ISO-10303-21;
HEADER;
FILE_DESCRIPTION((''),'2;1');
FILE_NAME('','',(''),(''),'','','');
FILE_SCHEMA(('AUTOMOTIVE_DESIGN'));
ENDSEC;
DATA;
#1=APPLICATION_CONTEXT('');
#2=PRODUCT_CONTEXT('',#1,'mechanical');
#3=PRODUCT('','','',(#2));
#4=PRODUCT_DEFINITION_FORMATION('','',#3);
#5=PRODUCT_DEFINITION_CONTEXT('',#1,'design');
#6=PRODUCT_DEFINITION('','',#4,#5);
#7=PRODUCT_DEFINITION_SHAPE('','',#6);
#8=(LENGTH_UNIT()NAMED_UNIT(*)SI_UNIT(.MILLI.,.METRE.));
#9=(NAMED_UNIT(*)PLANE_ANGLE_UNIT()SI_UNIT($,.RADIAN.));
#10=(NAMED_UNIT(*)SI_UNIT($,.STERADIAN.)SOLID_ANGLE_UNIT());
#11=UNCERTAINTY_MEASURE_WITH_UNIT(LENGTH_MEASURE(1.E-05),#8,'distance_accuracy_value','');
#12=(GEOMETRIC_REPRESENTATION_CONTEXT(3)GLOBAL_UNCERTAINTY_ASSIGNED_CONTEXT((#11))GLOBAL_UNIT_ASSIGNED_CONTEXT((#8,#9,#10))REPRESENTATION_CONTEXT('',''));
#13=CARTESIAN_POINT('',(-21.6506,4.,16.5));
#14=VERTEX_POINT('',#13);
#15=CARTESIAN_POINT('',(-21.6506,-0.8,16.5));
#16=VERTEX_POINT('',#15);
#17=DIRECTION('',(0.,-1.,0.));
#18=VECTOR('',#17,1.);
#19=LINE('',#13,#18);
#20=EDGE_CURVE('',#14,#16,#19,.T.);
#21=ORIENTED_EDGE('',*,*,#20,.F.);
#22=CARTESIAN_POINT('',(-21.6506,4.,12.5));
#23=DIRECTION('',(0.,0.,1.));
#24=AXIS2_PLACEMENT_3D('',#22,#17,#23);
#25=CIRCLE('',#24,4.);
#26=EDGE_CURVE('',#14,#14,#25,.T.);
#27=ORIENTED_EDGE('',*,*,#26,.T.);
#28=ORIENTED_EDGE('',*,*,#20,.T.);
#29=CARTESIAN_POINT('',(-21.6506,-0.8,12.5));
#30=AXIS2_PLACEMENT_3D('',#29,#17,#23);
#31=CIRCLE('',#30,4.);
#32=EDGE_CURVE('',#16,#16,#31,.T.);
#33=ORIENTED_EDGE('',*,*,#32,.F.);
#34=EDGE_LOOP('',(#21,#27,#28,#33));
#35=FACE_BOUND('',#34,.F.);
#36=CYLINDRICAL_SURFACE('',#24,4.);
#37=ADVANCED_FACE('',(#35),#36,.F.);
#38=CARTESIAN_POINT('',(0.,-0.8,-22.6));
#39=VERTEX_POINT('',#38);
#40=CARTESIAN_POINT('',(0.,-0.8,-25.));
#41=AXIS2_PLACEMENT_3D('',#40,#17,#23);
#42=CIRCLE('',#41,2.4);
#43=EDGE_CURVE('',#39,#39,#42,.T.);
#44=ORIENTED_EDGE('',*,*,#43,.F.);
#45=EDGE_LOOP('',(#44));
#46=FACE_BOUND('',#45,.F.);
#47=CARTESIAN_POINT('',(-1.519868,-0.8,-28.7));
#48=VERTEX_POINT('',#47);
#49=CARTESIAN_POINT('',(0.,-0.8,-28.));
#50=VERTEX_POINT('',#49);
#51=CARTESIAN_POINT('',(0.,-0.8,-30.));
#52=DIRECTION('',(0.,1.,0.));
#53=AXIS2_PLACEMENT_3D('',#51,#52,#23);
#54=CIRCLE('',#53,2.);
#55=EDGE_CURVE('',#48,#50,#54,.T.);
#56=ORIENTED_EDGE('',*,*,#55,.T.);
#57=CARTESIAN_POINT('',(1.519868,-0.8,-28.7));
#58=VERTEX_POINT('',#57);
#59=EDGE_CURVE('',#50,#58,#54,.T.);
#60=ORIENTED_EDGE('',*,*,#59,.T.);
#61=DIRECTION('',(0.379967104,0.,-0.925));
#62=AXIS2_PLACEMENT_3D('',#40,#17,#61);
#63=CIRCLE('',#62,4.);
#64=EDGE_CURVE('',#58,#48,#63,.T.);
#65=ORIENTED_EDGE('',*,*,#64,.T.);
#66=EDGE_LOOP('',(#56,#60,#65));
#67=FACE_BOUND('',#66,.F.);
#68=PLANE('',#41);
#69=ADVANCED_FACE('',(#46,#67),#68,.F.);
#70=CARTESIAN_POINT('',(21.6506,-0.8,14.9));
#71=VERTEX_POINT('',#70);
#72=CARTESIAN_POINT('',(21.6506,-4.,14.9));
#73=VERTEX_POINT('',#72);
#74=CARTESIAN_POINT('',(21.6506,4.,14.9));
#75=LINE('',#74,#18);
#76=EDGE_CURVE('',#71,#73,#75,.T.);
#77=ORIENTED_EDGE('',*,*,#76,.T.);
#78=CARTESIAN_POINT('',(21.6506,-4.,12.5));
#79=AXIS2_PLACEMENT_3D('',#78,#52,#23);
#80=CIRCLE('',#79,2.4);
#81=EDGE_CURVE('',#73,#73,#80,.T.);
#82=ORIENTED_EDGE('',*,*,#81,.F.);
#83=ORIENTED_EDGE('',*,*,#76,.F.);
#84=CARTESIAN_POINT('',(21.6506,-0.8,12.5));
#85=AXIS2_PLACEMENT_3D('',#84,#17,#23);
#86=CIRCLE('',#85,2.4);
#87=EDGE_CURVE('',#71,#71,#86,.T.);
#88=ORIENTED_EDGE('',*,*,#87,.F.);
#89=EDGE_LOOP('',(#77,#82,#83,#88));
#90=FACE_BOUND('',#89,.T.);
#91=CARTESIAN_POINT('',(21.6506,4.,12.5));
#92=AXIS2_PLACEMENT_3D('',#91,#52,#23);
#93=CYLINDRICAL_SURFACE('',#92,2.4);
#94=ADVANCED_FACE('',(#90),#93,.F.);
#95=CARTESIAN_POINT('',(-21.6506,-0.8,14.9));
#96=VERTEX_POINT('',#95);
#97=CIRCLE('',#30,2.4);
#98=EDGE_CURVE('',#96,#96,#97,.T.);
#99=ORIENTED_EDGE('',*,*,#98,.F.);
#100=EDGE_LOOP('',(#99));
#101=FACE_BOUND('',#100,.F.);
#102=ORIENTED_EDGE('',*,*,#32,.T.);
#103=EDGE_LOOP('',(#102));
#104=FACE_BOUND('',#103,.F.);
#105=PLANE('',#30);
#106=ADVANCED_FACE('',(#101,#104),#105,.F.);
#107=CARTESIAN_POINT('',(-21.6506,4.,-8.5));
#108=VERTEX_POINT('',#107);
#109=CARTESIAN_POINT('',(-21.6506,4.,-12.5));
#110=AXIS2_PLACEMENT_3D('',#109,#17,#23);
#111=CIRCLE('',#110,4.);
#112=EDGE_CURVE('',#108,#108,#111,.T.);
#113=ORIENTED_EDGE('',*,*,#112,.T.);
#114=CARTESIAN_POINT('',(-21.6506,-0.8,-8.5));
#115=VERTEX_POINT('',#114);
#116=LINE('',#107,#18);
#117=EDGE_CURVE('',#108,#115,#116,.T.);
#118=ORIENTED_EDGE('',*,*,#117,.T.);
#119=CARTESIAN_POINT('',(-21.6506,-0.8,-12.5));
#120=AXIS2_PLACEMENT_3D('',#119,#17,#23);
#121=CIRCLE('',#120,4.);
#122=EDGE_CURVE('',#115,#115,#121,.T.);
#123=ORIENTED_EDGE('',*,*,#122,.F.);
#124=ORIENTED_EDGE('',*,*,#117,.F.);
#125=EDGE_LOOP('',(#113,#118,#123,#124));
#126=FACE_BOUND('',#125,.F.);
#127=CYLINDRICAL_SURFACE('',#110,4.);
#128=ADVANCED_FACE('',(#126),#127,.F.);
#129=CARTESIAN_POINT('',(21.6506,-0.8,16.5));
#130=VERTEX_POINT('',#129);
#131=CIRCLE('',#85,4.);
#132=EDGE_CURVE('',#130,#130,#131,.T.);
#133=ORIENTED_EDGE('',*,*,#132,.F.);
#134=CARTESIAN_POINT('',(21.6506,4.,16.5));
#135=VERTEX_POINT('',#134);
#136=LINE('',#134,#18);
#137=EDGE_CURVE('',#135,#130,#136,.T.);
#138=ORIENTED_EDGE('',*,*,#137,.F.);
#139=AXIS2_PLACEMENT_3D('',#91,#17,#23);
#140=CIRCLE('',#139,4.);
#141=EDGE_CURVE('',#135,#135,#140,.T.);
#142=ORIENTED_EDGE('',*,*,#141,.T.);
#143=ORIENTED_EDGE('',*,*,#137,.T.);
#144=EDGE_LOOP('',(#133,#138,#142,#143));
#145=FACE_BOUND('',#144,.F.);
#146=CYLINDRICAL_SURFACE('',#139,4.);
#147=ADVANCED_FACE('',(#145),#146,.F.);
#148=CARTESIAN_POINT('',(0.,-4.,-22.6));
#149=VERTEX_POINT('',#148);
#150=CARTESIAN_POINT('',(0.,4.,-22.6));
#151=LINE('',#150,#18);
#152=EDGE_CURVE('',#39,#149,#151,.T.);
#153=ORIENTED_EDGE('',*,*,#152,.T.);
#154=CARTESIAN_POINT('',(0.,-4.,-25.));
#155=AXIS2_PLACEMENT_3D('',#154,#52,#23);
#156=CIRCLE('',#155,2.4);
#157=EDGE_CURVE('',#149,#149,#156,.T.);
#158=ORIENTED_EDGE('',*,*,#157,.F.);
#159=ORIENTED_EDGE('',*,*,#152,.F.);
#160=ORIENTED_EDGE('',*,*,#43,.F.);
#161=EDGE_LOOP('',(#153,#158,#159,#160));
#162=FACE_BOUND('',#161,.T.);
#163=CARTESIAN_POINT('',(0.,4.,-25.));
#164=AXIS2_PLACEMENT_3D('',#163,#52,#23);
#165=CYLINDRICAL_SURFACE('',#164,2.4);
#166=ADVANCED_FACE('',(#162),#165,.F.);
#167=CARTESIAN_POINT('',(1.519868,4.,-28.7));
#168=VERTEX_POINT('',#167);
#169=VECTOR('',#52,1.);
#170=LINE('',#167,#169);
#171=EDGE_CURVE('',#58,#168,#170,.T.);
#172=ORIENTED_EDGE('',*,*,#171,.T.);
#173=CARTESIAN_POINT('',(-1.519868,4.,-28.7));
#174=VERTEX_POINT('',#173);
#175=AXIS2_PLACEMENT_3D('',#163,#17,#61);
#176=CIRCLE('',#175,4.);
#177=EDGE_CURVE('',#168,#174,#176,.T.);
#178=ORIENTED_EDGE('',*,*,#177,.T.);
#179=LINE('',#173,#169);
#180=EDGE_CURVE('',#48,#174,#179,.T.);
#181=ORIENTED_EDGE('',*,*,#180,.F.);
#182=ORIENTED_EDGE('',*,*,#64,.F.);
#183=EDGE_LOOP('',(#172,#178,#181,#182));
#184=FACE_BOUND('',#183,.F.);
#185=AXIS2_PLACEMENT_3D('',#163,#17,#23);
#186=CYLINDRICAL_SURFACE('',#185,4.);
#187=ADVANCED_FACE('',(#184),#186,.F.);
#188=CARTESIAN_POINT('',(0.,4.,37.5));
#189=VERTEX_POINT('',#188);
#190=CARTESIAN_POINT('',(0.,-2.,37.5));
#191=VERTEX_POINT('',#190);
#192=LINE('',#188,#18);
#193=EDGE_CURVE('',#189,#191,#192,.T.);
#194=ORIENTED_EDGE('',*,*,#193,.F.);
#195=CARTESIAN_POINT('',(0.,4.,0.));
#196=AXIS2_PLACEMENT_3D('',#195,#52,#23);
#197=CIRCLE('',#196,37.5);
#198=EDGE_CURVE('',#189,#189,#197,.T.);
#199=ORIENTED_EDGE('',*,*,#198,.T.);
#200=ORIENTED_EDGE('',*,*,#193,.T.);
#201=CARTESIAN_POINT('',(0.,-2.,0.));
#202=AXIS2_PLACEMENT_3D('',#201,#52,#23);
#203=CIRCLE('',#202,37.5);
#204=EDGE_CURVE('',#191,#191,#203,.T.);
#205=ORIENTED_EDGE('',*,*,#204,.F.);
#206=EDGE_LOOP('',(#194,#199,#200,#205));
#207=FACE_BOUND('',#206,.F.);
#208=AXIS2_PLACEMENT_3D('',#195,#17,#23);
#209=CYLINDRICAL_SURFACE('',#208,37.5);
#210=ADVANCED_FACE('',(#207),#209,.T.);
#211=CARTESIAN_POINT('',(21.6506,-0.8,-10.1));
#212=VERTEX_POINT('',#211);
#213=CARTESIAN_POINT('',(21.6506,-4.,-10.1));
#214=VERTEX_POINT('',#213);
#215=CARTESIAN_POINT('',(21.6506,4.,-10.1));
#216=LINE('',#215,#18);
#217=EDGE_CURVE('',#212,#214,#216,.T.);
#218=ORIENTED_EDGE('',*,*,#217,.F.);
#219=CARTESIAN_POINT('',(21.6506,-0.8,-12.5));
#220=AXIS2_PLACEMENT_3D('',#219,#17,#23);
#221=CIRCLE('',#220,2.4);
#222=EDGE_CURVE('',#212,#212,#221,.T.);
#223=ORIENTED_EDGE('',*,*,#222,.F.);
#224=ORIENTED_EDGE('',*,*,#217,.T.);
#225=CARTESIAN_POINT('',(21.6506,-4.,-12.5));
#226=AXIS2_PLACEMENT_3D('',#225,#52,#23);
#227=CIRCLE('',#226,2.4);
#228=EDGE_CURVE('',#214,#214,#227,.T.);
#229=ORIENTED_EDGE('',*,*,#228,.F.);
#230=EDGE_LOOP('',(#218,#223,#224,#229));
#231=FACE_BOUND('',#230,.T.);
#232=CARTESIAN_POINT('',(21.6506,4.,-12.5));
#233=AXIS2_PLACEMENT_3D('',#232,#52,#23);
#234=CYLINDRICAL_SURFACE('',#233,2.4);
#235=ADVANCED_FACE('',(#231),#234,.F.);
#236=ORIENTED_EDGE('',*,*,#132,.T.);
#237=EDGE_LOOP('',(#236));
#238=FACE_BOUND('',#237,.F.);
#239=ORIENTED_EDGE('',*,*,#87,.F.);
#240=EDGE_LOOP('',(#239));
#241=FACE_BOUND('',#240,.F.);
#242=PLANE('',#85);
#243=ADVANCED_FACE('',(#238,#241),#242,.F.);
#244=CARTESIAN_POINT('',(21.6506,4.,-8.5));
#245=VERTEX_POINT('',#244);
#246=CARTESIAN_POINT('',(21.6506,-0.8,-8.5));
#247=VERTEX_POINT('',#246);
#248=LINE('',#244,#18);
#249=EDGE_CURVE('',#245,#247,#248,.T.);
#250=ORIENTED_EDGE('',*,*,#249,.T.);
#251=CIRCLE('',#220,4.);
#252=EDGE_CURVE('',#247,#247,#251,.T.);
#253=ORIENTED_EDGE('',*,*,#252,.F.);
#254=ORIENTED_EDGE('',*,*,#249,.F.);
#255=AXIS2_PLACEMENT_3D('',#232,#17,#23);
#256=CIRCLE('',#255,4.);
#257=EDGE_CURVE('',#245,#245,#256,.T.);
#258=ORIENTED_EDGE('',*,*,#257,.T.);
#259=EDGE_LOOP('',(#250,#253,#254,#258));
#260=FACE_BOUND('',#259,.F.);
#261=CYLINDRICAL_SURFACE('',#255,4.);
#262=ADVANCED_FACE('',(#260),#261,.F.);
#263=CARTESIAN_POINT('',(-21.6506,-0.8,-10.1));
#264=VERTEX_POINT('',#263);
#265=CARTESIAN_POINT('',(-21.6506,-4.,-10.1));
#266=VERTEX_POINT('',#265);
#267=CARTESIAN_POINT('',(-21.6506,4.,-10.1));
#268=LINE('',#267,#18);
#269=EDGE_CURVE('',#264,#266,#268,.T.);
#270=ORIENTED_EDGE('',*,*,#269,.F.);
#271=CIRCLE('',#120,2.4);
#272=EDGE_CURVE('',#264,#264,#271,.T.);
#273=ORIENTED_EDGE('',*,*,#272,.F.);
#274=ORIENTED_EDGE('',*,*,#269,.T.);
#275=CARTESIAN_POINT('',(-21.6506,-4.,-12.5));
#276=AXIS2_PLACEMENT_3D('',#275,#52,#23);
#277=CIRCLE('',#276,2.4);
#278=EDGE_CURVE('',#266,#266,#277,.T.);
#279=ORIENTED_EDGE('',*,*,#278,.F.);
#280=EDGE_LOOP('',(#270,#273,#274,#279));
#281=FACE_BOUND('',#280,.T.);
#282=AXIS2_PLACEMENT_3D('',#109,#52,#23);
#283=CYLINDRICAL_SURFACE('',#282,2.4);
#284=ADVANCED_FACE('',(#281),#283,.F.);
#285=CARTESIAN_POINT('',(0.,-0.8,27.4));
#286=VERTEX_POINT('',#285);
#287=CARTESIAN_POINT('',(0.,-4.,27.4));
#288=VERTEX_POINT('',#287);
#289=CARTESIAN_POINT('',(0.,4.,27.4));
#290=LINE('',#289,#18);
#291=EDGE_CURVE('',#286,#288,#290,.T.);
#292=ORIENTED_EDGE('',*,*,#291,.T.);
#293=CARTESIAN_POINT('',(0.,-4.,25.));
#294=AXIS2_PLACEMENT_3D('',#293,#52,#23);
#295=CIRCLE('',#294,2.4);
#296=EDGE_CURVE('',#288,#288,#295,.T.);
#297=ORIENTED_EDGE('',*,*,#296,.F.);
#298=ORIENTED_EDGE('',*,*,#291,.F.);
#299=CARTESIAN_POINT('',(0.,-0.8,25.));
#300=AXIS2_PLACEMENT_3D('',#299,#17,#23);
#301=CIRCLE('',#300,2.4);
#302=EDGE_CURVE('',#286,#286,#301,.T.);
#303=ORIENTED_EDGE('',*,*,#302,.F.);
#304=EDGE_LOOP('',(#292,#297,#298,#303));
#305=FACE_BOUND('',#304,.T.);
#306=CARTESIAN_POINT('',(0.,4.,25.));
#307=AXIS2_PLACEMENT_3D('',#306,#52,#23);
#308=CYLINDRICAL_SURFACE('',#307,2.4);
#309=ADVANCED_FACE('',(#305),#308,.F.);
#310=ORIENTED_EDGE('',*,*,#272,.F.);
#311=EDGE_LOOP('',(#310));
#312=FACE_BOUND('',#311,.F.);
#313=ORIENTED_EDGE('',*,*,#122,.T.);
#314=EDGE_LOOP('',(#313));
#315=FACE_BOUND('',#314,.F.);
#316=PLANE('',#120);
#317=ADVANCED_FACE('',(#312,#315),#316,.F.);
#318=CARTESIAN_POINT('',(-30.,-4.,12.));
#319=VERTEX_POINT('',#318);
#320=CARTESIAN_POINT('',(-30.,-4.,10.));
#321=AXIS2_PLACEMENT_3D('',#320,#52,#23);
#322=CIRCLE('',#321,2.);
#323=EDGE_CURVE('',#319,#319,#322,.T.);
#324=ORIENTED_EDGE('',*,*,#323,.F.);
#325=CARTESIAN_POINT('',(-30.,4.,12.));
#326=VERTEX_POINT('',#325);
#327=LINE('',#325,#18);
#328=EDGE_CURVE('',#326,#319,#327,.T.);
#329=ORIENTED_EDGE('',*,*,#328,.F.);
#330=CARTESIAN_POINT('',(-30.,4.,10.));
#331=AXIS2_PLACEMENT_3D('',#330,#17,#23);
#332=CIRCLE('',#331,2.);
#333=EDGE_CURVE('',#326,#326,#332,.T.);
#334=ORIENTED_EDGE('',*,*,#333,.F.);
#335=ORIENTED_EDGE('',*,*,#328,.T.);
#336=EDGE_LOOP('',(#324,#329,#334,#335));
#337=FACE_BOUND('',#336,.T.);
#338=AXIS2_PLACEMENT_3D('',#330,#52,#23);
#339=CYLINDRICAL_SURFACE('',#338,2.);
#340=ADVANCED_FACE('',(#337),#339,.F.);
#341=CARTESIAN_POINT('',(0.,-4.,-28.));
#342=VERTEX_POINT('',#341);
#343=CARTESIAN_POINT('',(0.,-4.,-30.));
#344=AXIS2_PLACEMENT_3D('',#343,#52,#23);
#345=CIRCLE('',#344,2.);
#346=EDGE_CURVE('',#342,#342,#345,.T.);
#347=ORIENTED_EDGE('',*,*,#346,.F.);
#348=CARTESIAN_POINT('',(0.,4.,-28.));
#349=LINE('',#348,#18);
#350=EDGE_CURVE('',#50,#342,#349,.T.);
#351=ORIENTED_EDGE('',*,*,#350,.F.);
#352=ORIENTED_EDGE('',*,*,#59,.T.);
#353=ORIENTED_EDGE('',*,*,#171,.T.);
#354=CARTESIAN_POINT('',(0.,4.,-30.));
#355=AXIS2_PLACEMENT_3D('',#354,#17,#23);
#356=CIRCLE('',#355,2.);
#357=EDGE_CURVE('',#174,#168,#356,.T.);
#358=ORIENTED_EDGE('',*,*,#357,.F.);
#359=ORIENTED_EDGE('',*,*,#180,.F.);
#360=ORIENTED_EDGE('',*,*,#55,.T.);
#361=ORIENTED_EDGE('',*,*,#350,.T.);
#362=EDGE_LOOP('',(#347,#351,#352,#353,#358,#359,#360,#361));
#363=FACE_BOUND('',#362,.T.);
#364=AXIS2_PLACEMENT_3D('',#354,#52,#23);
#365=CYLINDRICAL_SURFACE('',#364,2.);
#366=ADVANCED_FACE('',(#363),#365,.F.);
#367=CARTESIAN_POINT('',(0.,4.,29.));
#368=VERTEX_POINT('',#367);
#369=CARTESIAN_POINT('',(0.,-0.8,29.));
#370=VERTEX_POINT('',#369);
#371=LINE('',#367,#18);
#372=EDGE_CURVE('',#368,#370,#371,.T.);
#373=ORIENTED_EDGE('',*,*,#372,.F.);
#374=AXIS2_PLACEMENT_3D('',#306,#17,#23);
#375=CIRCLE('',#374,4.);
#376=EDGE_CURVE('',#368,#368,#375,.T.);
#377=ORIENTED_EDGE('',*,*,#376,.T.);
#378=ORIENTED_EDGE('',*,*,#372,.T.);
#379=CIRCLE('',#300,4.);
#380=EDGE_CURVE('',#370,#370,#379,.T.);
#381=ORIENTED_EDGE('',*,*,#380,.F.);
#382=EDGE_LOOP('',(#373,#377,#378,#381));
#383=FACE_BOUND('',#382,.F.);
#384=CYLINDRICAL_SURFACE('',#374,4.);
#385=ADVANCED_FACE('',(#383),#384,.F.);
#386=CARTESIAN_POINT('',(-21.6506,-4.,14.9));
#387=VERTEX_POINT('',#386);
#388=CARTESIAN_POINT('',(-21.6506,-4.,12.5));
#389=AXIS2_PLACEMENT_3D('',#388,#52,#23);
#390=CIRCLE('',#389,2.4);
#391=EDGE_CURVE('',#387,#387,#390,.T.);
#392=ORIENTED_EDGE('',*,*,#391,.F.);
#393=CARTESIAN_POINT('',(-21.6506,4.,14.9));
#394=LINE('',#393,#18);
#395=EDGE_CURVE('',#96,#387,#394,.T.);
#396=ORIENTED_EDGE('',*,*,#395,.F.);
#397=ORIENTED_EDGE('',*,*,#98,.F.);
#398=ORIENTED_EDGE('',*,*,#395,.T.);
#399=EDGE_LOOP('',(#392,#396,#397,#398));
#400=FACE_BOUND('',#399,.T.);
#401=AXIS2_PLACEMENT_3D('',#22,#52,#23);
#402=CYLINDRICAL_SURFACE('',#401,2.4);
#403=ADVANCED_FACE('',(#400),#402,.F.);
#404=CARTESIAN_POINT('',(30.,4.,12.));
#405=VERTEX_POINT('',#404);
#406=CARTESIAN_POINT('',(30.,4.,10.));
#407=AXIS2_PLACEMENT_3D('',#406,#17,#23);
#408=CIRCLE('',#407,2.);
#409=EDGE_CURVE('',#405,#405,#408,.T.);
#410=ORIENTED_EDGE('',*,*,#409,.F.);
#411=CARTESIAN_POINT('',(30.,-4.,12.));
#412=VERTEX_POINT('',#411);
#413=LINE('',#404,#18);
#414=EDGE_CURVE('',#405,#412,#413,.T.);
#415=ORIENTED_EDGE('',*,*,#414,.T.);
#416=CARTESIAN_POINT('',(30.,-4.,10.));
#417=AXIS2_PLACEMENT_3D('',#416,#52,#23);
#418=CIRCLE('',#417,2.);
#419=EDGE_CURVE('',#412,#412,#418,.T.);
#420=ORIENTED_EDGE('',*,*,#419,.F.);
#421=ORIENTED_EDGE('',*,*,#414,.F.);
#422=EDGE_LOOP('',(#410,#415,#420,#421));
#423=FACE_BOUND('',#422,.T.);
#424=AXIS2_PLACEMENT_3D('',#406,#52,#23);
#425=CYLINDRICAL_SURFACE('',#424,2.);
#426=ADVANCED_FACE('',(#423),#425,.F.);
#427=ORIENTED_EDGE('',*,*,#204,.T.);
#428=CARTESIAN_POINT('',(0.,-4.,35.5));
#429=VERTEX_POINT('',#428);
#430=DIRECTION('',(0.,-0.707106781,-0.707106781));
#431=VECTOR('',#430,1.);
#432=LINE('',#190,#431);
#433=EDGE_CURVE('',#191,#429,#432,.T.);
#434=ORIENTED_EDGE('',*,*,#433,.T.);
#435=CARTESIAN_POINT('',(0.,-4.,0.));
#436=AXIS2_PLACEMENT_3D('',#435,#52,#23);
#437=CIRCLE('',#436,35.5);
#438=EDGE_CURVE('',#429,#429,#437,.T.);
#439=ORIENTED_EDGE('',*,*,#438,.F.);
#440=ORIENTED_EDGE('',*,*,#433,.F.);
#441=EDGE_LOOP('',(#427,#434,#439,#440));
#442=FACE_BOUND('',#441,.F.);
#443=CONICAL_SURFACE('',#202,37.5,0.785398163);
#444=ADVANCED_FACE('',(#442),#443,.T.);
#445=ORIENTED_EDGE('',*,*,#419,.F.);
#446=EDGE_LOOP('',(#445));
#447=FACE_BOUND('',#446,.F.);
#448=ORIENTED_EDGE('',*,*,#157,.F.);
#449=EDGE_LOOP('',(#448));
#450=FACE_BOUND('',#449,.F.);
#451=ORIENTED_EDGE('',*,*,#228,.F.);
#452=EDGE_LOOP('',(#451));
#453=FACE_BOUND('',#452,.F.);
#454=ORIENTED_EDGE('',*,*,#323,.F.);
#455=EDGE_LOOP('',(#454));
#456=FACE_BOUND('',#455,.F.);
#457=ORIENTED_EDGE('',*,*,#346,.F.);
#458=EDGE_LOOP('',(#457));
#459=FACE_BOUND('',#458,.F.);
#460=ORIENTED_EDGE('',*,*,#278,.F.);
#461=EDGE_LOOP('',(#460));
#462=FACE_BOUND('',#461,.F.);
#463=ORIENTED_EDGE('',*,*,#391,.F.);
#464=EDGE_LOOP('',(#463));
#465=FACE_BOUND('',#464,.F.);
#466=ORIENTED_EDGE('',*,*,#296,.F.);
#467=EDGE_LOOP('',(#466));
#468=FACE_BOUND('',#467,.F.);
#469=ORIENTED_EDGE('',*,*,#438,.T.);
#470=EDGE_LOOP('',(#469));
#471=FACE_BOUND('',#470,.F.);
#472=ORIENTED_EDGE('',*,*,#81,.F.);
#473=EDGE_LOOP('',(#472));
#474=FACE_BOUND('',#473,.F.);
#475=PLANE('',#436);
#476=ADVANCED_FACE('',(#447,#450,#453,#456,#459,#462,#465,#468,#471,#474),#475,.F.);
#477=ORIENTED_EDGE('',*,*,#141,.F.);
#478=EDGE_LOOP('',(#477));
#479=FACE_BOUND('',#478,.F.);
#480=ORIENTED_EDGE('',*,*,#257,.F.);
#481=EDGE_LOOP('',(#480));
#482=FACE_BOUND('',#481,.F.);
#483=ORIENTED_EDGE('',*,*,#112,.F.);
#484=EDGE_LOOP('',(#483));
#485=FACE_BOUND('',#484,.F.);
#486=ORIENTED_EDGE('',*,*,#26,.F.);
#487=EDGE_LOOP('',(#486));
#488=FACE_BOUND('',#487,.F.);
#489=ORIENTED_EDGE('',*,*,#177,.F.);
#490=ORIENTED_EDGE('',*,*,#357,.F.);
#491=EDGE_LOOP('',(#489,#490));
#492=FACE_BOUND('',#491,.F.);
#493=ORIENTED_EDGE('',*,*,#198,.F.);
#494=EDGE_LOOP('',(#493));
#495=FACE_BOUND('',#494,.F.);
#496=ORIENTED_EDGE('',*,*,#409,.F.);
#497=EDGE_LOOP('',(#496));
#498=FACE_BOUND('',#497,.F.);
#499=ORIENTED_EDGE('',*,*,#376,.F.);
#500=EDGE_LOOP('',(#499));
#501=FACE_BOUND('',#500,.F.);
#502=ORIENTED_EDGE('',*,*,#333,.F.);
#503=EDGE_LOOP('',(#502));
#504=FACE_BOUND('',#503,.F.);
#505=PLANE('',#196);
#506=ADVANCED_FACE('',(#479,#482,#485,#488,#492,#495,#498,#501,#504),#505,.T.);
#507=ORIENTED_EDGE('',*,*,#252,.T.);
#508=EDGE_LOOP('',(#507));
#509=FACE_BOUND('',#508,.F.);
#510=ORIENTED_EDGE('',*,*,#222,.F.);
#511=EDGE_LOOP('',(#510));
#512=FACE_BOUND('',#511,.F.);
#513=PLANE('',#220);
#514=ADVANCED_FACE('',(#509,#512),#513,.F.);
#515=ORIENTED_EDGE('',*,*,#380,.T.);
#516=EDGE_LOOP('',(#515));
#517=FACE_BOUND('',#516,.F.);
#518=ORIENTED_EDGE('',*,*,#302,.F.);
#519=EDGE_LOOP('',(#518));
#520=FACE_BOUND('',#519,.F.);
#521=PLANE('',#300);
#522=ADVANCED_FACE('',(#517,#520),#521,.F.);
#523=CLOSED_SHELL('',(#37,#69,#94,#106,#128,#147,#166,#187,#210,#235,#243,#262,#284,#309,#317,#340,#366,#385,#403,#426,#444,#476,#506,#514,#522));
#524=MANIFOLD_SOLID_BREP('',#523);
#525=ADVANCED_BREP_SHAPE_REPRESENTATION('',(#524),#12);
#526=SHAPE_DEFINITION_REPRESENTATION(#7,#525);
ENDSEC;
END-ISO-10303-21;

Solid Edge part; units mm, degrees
sketch "Sketch1" plane through (0, 0, 0) normal (1, 0, 0) x (0, 1, 0)
  line L0 (4, 0) -> (4, 37.5)
  line L1 (4, 37.5) -> (-2, 37.5)
  line L2 (-2, 37.5) -> (-4, 35.5)
  line L3 (-4, 35.5) -> (-4, 0)
  dimension "D1" = 8
  dimension "D2" = 6
revolve "RevolvedProtrusion1" add sketch "Sketch1" angle 360 about axis through (0, -4, 0) along (0, 1, 0)
hole "Hole_1" at (30, 4, 10) direction (0, -1, 0) diameter 4 end up to next
hole "Hole1" at (-30, 4, 10) direction (0, -1, 0) diameter 4 end up to next
hole "Hole2" at (0, 4, -30) direction (0, -1, 0) diameter 4 end up to next
hole "Hole_4" at (0, 4, 25) direction (0, -1, 0) diameter 4.8 end up to next counterbore diameter 8 counterbore depth 4.8
hole "Hole3" at (0, 4, -25) direction (0, -1, 0) diameter 4.8 end up to next counterbore diameter 8 counterbore depth 4.8
hole "Hole4" at (-21.6506, 4, 12.5) direction (0, -1, 0) diameter 4.8 end up to next counterbore diameter 8 counterbore depth 4.8
hole "Hole5" at (-21.6506, 4, -12.5) direction (0, -1, 0) diameter 4.8 end up to next counterbore diameter 8 counterbore depth 4.8
hole "Hole6" at (21.6506, 4, 12.5) direction (0, -1, 0) diameter 4.8 end up to next counterbore diameter 8 counterbore depth 4.8
hole "Hole7" at (21.6506, 4, -12.5) direction (0, -1, 0) diameter 4.8 end up to next counterbore diameter 8 counterbore depth 4.8
properties material "Polyethylene, low density"
